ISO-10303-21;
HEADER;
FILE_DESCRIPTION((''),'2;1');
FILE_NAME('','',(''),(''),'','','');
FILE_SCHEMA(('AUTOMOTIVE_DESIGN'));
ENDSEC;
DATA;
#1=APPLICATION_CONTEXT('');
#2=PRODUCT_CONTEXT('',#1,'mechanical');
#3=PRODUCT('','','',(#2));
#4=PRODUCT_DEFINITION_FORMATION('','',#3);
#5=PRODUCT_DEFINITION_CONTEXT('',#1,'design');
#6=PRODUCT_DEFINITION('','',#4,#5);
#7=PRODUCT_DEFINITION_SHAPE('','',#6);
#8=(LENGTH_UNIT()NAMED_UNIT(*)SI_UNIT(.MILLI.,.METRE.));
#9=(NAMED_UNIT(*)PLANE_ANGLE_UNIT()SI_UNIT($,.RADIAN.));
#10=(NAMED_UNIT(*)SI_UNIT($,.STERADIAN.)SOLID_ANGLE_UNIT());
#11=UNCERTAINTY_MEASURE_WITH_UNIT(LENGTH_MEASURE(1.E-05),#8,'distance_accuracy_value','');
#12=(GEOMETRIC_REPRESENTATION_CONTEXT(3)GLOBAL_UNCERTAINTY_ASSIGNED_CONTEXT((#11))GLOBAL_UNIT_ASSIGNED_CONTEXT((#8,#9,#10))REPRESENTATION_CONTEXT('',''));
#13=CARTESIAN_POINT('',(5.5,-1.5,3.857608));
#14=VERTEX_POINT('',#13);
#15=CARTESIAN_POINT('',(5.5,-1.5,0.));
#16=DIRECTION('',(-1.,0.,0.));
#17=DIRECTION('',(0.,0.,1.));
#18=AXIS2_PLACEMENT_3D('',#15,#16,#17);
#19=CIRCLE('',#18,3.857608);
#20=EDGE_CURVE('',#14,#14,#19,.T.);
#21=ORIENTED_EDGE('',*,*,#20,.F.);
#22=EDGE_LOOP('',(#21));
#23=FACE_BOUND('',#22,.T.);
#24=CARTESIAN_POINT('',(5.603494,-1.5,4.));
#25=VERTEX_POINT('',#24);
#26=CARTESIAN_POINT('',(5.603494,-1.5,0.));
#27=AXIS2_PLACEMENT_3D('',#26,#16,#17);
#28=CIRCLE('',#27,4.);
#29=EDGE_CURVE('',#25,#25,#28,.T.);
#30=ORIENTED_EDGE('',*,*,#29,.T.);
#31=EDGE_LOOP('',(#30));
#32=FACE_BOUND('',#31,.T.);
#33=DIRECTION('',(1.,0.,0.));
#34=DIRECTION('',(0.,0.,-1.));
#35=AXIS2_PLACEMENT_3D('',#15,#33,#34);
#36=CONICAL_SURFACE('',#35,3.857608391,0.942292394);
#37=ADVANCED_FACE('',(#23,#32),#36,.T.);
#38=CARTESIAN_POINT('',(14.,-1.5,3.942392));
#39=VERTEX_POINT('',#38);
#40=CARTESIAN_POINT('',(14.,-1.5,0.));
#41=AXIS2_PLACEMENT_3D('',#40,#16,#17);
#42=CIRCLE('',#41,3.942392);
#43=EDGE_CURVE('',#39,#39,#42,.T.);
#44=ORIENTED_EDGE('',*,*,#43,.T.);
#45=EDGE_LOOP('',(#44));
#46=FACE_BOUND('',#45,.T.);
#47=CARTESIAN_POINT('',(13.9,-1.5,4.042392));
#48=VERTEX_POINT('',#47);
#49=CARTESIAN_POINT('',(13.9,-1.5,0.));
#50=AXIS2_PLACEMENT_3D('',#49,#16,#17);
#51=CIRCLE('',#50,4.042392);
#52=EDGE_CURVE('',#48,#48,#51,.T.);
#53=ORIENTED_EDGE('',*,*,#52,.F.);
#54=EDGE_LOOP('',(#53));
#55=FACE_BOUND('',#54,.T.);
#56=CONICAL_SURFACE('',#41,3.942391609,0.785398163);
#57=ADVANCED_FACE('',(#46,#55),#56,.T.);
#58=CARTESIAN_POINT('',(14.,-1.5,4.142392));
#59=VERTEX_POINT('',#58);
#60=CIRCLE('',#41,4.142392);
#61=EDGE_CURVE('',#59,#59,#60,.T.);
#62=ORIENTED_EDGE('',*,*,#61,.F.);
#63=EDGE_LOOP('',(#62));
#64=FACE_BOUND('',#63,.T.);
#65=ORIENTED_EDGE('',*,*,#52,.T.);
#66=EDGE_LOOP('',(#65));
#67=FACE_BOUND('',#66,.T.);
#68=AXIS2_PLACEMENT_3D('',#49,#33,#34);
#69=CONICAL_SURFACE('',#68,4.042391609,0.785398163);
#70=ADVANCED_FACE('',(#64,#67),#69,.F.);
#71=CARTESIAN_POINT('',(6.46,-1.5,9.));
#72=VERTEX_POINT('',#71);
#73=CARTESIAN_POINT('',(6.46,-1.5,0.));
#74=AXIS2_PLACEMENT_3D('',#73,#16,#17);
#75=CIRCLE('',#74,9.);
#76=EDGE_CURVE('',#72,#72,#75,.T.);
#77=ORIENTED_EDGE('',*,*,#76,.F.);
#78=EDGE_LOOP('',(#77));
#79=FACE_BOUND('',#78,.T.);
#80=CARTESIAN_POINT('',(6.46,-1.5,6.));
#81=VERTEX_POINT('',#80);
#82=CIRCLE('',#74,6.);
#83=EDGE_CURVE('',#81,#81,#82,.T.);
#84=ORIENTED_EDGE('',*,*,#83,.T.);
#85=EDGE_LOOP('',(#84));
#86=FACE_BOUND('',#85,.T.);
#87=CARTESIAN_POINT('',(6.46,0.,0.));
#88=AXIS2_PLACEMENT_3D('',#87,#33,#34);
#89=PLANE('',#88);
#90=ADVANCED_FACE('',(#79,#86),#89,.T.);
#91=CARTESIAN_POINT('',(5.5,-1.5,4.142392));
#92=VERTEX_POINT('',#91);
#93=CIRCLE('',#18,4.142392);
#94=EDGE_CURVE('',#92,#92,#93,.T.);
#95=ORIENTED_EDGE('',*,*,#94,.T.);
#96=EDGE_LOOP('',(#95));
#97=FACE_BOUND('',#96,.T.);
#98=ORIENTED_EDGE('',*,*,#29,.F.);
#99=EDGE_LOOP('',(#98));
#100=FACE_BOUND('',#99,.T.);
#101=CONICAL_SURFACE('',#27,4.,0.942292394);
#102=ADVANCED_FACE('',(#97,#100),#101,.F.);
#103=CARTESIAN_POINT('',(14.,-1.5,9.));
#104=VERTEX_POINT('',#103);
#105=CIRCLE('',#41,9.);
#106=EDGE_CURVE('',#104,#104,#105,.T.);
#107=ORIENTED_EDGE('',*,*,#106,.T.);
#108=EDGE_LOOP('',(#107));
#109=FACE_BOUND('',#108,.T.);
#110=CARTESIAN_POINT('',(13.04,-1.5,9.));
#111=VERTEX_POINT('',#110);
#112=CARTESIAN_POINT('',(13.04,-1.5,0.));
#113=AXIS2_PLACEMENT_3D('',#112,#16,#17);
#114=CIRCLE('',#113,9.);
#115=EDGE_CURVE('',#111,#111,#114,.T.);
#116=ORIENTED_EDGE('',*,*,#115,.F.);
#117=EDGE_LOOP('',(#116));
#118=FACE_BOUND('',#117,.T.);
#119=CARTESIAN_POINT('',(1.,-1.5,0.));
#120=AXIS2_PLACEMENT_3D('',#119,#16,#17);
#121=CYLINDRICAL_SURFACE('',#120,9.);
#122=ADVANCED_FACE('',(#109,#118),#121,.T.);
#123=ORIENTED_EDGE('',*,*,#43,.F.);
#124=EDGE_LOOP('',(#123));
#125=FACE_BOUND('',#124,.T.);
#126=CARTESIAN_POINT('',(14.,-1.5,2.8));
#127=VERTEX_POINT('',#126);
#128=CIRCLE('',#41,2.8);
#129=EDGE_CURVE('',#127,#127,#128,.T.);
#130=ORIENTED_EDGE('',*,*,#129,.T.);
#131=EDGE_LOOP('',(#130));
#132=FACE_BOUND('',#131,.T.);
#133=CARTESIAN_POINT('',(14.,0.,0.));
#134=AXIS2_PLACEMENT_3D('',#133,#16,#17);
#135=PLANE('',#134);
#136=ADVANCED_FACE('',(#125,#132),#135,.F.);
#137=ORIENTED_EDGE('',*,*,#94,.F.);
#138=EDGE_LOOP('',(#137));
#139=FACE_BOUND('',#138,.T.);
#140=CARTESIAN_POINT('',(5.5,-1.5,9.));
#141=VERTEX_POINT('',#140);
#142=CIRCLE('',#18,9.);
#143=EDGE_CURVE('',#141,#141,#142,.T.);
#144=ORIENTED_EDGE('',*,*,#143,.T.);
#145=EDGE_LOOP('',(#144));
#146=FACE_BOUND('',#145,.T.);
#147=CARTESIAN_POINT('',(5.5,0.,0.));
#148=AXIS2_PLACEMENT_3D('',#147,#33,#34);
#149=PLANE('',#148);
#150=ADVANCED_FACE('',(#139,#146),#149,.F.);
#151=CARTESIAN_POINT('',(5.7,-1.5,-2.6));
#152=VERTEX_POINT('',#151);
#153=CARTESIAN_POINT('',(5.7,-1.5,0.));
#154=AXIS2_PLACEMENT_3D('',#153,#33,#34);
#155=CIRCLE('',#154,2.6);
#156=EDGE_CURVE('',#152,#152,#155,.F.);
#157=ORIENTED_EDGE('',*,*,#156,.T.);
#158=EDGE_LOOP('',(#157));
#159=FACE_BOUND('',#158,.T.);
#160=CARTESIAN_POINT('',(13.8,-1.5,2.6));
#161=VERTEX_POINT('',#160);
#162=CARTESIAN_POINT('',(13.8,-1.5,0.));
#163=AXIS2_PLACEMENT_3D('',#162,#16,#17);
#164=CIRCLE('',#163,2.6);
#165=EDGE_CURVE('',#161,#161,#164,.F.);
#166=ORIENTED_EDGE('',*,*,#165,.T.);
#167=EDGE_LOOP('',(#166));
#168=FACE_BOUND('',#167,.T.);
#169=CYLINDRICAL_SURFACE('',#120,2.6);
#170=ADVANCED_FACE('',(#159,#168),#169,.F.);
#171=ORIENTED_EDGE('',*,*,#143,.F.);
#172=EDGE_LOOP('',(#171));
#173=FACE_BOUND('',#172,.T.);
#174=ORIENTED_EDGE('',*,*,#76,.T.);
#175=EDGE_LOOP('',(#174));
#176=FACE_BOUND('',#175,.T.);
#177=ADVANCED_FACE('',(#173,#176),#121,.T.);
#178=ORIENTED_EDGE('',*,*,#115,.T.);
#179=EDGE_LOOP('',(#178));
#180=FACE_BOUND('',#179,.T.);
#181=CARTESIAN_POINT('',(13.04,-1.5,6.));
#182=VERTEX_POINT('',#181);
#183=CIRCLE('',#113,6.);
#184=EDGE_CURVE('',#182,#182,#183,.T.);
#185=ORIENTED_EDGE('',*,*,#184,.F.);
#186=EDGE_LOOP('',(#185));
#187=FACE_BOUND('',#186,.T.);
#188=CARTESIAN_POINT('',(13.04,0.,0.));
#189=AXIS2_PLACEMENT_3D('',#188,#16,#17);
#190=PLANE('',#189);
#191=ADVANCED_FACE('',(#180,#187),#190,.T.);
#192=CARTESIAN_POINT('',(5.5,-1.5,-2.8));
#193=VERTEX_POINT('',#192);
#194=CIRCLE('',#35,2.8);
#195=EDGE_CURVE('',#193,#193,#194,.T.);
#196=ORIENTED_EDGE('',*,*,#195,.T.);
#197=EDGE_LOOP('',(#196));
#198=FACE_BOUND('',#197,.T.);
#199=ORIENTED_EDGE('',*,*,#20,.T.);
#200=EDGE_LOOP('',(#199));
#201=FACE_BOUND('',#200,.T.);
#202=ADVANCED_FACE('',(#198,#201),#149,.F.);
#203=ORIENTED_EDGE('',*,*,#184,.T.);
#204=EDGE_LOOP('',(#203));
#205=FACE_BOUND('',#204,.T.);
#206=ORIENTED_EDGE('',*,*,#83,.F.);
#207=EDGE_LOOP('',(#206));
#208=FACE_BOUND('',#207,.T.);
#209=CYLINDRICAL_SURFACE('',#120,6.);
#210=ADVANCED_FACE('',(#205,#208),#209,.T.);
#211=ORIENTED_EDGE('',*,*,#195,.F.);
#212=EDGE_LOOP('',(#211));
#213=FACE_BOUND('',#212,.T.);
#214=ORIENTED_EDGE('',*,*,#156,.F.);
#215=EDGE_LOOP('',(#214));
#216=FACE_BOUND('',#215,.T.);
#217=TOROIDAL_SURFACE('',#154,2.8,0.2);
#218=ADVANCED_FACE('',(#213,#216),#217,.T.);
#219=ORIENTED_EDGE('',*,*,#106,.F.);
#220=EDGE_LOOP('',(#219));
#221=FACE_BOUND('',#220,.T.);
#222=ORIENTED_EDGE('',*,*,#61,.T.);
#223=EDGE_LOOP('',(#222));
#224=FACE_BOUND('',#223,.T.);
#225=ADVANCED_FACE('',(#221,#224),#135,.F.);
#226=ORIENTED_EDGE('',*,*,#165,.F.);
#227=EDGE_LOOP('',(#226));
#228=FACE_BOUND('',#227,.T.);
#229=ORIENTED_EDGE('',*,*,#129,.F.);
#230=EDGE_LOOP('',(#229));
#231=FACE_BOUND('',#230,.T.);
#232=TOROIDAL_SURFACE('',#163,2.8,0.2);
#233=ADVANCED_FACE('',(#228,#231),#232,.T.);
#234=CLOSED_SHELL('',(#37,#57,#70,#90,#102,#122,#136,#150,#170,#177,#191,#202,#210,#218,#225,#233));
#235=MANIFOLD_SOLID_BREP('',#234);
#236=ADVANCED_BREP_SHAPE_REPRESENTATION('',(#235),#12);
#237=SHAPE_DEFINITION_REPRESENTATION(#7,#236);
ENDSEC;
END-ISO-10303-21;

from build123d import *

# Parameters (mm, degrees)
FILLET1_R = 0.2


with BuildPart() as part:
    # Sketch 1 → Body (revolve)
    with BuildSketch(Plane.XY):
        Polygon((6.46, 7.5), (5.5, 7.5), (5.5, 2.642391609), (5.6034939, 2.5), (5.5, 2.357608391), (5.5, 1.1), (14, 1.1), (14, 2.442391609), (13.9, 2.542391609), (14, 2.642391609), (14, 7.5), (13.04, 7.5), (13.04, 4.5), (6.46, 4.5), align=None)
    revolve(axis=Axis((1, -1.5, 0), (1, 0, 0)))

    # Fillet1
    fillet1_edges = [part.edges().sort_by_distance(p)[0] for p in [
        (14, -4.1, 0),
        (5.5, -4.1, 0),
    ]]
    fillet(fillet1_edges, radius=FILLET1_R)


solid = part.part
